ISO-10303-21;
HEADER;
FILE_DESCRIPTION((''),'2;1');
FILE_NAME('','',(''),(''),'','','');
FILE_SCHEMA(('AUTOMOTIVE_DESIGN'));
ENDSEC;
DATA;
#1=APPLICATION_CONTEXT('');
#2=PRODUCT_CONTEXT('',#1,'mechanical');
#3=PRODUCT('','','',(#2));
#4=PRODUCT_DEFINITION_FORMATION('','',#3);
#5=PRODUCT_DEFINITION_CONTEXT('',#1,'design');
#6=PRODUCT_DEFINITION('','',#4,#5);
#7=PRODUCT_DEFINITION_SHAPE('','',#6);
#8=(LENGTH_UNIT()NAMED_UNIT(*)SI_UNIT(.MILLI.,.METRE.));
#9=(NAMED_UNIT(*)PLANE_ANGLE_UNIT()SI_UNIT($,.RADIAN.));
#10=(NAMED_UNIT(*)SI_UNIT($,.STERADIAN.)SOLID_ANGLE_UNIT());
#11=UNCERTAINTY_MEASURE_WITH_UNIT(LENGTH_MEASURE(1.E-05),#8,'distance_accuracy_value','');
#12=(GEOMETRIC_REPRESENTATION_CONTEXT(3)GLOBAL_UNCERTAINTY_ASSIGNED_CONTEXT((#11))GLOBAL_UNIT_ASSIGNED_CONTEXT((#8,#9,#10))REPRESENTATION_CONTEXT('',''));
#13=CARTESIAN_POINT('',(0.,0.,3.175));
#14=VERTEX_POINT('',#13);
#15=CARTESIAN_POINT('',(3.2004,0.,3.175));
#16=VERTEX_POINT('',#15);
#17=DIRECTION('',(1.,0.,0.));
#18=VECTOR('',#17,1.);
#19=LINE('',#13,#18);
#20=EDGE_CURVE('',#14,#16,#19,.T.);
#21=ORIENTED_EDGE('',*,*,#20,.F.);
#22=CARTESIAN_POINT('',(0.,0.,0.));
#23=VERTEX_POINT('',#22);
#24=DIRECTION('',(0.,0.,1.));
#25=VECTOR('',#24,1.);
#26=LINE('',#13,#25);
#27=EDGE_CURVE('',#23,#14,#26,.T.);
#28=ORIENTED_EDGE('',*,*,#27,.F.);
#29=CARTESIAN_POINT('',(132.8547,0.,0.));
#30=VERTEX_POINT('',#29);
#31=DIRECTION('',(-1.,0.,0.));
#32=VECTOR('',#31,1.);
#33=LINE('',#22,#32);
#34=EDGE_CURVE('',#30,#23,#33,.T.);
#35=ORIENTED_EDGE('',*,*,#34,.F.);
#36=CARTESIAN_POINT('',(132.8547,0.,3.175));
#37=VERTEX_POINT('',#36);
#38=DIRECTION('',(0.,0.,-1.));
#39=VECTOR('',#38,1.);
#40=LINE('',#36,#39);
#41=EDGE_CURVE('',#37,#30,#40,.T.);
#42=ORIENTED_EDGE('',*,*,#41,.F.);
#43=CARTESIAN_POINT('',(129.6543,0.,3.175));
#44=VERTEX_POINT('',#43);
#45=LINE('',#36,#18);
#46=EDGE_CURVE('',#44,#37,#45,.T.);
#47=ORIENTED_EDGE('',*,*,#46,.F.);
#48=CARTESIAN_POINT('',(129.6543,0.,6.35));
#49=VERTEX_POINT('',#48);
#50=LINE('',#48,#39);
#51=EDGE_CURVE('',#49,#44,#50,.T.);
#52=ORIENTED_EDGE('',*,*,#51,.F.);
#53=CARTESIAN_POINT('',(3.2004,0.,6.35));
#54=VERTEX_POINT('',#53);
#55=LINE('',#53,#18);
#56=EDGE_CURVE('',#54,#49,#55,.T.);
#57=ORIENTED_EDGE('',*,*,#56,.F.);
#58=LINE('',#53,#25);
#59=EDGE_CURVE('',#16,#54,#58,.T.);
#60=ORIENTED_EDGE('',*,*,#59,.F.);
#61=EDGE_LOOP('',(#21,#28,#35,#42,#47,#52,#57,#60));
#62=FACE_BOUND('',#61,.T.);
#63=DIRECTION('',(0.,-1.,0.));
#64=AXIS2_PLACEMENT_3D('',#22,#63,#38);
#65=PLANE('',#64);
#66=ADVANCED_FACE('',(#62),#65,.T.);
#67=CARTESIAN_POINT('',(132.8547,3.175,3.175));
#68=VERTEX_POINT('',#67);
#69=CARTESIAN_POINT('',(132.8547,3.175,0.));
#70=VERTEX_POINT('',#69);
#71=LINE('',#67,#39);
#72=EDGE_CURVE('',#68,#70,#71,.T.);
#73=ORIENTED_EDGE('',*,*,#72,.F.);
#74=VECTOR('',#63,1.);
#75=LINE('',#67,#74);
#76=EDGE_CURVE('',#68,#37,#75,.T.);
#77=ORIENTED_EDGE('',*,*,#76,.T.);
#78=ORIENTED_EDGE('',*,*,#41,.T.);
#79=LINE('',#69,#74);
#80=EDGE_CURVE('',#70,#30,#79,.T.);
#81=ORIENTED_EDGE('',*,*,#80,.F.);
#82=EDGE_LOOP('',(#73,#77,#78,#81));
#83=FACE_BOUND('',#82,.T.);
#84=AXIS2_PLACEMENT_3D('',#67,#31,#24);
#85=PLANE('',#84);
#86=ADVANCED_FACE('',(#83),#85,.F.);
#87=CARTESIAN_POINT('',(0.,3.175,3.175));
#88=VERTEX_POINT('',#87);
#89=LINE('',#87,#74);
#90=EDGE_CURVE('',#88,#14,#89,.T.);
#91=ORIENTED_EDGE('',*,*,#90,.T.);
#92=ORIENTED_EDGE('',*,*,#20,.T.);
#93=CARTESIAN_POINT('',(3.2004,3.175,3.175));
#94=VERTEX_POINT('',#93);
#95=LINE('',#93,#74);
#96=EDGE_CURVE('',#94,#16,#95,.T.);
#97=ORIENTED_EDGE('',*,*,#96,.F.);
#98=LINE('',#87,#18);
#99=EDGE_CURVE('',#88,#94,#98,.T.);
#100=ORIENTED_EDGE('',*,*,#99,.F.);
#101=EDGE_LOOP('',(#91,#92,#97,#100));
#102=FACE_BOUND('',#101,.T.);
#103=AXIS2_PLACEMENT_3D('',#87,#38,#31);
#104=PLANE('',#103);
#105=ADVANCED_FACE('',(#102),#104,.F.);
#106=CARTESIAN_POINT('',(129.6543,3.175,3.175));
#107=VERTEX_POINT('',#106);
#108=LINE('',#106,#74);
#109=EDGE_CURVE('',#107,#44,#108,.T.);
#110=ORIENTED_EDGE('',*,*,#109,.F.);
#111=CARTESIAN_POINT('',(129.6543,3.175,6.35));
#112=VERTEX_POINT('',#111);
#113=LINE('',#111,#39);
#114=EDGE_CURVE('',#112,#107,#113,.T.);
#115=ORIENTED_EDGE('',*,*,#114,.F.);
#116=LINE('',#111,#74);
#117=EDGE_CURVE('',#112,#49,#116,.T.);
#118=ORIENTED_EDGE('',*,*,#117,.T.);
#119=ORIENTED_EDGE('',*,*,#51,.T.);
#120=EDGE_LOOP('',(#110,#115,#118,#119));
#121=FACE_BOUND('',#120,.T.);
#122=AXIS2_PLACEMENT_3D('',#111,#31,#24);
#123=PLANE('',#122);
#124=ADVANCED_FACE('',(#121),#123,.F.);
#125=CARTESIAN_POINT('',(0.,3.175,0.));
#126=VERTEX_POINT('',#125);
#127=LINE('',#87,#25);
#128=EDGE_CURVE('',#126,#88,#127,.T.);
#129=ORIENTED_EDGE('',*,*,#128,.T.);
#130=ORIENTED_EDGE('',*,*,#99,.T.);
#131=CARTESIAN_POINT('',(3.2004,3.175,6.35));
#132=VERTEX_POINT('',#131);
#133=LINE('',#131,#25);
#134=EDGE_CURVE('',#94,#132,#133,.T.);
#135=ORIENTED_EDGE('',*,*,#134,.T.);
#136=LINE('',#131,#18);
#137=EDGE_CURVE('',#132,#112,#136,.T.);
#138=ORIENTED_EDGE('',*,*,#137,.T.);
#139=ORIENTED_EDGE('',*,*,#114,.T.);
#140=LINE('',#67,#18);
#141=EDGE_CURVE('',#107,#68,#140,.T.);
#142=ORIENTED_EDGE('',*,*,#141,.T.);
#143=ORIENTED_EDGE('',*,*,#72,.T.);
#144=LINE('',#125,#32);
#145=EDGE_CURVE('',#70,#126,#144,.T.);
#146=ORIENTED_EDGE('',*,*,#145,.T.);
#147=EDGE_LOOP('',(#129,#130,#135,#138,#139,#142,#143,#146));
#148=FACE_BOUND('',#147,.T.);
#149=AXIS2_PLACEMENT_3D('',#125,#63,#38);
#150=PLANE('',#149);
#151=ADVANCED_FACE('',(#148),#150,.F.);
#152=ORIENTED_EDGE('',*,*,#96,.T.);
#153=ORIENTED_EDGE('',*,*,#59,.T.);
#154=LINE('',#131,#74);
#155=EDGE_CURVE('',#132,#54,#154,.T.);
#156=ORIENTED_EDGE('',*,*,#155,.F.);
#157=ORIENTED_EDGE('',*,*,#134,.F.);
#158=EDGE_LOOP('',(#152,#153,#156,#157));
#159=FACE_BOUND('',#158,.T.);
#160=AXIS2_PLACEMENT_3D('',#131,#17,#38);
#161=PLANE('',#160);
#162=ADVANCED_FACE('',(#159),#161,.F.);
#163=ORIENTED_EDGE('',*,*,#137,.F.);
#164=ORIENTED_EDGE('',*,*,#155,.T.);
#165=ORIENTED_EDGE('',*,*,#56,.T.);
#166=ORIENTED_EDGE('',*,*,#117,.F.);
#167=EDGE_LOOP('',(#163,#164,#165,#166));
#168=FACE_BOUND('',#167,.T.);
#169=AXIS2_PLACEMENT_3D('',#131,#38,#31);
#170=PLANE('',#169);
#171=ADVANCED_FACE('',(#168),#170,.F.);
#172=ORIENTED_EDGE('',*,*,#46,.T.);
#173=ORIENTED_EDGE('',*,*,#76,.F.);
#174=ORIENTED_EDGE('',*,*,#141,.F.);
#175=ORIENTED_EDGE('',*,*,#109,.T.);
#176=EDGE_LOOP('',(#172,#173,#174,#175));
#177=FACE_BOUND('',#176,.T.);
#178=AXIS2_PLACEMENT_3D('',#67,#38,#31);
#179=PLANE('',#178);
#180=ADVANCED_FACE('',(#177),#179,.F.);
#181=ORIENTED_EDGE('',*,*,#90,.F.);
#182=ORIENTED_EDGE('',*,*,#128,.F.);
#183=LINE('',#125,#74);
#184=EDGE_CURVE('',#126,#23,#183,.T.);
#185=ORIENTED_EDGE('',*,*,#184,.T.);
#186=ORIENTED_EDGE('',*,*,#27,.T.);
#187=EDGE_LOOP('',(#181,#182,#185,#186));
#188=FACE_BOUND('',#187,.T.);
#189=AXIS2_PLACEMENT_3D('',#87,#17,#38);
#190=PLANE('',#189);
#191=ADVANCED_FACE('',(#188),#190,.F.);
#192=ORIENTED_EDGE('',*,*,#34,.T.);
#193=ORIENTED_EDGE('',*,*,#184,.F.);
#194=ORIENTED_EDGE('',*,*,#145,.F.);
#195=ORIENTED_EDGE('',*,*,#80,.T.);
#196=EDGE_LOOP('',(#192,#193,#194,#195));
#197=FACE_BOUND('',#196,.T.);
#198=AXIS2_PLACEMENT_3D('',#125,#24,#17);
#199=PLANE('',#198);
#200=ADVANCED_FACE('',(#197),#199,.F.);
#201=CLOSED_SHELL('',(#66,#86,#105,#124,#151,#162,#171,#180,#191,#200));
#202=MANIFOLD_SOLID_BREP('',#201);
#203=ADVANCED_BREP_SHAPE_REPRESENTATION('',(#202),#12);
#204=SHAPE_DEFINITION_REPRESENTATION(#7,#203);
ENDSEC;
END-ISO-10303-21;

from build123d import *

# Parameters (mm, degrees)
BOSS_EXTRUDE1_DEPTH = 3.175


with BuildPart() as part:
    # Sketch2 → Boss-Extrude1 (new body)
    with BuildSketch(Plane(origin=(0, 0, 0), x_dir=(1, 0, 0), z_dir=(0, 1, 0))):
        Polygon((3.2004, -6.35), (129.6543, -6.35), (129.6543, -3.175), (132.8547, -3.175), (132.8547, 0), (0, 0), (0, -3.175), (3.2004, -3.175), align=None)
    extrude(amount=BOSS_EXTRUDE1_DEPTH)


solid = part.part
